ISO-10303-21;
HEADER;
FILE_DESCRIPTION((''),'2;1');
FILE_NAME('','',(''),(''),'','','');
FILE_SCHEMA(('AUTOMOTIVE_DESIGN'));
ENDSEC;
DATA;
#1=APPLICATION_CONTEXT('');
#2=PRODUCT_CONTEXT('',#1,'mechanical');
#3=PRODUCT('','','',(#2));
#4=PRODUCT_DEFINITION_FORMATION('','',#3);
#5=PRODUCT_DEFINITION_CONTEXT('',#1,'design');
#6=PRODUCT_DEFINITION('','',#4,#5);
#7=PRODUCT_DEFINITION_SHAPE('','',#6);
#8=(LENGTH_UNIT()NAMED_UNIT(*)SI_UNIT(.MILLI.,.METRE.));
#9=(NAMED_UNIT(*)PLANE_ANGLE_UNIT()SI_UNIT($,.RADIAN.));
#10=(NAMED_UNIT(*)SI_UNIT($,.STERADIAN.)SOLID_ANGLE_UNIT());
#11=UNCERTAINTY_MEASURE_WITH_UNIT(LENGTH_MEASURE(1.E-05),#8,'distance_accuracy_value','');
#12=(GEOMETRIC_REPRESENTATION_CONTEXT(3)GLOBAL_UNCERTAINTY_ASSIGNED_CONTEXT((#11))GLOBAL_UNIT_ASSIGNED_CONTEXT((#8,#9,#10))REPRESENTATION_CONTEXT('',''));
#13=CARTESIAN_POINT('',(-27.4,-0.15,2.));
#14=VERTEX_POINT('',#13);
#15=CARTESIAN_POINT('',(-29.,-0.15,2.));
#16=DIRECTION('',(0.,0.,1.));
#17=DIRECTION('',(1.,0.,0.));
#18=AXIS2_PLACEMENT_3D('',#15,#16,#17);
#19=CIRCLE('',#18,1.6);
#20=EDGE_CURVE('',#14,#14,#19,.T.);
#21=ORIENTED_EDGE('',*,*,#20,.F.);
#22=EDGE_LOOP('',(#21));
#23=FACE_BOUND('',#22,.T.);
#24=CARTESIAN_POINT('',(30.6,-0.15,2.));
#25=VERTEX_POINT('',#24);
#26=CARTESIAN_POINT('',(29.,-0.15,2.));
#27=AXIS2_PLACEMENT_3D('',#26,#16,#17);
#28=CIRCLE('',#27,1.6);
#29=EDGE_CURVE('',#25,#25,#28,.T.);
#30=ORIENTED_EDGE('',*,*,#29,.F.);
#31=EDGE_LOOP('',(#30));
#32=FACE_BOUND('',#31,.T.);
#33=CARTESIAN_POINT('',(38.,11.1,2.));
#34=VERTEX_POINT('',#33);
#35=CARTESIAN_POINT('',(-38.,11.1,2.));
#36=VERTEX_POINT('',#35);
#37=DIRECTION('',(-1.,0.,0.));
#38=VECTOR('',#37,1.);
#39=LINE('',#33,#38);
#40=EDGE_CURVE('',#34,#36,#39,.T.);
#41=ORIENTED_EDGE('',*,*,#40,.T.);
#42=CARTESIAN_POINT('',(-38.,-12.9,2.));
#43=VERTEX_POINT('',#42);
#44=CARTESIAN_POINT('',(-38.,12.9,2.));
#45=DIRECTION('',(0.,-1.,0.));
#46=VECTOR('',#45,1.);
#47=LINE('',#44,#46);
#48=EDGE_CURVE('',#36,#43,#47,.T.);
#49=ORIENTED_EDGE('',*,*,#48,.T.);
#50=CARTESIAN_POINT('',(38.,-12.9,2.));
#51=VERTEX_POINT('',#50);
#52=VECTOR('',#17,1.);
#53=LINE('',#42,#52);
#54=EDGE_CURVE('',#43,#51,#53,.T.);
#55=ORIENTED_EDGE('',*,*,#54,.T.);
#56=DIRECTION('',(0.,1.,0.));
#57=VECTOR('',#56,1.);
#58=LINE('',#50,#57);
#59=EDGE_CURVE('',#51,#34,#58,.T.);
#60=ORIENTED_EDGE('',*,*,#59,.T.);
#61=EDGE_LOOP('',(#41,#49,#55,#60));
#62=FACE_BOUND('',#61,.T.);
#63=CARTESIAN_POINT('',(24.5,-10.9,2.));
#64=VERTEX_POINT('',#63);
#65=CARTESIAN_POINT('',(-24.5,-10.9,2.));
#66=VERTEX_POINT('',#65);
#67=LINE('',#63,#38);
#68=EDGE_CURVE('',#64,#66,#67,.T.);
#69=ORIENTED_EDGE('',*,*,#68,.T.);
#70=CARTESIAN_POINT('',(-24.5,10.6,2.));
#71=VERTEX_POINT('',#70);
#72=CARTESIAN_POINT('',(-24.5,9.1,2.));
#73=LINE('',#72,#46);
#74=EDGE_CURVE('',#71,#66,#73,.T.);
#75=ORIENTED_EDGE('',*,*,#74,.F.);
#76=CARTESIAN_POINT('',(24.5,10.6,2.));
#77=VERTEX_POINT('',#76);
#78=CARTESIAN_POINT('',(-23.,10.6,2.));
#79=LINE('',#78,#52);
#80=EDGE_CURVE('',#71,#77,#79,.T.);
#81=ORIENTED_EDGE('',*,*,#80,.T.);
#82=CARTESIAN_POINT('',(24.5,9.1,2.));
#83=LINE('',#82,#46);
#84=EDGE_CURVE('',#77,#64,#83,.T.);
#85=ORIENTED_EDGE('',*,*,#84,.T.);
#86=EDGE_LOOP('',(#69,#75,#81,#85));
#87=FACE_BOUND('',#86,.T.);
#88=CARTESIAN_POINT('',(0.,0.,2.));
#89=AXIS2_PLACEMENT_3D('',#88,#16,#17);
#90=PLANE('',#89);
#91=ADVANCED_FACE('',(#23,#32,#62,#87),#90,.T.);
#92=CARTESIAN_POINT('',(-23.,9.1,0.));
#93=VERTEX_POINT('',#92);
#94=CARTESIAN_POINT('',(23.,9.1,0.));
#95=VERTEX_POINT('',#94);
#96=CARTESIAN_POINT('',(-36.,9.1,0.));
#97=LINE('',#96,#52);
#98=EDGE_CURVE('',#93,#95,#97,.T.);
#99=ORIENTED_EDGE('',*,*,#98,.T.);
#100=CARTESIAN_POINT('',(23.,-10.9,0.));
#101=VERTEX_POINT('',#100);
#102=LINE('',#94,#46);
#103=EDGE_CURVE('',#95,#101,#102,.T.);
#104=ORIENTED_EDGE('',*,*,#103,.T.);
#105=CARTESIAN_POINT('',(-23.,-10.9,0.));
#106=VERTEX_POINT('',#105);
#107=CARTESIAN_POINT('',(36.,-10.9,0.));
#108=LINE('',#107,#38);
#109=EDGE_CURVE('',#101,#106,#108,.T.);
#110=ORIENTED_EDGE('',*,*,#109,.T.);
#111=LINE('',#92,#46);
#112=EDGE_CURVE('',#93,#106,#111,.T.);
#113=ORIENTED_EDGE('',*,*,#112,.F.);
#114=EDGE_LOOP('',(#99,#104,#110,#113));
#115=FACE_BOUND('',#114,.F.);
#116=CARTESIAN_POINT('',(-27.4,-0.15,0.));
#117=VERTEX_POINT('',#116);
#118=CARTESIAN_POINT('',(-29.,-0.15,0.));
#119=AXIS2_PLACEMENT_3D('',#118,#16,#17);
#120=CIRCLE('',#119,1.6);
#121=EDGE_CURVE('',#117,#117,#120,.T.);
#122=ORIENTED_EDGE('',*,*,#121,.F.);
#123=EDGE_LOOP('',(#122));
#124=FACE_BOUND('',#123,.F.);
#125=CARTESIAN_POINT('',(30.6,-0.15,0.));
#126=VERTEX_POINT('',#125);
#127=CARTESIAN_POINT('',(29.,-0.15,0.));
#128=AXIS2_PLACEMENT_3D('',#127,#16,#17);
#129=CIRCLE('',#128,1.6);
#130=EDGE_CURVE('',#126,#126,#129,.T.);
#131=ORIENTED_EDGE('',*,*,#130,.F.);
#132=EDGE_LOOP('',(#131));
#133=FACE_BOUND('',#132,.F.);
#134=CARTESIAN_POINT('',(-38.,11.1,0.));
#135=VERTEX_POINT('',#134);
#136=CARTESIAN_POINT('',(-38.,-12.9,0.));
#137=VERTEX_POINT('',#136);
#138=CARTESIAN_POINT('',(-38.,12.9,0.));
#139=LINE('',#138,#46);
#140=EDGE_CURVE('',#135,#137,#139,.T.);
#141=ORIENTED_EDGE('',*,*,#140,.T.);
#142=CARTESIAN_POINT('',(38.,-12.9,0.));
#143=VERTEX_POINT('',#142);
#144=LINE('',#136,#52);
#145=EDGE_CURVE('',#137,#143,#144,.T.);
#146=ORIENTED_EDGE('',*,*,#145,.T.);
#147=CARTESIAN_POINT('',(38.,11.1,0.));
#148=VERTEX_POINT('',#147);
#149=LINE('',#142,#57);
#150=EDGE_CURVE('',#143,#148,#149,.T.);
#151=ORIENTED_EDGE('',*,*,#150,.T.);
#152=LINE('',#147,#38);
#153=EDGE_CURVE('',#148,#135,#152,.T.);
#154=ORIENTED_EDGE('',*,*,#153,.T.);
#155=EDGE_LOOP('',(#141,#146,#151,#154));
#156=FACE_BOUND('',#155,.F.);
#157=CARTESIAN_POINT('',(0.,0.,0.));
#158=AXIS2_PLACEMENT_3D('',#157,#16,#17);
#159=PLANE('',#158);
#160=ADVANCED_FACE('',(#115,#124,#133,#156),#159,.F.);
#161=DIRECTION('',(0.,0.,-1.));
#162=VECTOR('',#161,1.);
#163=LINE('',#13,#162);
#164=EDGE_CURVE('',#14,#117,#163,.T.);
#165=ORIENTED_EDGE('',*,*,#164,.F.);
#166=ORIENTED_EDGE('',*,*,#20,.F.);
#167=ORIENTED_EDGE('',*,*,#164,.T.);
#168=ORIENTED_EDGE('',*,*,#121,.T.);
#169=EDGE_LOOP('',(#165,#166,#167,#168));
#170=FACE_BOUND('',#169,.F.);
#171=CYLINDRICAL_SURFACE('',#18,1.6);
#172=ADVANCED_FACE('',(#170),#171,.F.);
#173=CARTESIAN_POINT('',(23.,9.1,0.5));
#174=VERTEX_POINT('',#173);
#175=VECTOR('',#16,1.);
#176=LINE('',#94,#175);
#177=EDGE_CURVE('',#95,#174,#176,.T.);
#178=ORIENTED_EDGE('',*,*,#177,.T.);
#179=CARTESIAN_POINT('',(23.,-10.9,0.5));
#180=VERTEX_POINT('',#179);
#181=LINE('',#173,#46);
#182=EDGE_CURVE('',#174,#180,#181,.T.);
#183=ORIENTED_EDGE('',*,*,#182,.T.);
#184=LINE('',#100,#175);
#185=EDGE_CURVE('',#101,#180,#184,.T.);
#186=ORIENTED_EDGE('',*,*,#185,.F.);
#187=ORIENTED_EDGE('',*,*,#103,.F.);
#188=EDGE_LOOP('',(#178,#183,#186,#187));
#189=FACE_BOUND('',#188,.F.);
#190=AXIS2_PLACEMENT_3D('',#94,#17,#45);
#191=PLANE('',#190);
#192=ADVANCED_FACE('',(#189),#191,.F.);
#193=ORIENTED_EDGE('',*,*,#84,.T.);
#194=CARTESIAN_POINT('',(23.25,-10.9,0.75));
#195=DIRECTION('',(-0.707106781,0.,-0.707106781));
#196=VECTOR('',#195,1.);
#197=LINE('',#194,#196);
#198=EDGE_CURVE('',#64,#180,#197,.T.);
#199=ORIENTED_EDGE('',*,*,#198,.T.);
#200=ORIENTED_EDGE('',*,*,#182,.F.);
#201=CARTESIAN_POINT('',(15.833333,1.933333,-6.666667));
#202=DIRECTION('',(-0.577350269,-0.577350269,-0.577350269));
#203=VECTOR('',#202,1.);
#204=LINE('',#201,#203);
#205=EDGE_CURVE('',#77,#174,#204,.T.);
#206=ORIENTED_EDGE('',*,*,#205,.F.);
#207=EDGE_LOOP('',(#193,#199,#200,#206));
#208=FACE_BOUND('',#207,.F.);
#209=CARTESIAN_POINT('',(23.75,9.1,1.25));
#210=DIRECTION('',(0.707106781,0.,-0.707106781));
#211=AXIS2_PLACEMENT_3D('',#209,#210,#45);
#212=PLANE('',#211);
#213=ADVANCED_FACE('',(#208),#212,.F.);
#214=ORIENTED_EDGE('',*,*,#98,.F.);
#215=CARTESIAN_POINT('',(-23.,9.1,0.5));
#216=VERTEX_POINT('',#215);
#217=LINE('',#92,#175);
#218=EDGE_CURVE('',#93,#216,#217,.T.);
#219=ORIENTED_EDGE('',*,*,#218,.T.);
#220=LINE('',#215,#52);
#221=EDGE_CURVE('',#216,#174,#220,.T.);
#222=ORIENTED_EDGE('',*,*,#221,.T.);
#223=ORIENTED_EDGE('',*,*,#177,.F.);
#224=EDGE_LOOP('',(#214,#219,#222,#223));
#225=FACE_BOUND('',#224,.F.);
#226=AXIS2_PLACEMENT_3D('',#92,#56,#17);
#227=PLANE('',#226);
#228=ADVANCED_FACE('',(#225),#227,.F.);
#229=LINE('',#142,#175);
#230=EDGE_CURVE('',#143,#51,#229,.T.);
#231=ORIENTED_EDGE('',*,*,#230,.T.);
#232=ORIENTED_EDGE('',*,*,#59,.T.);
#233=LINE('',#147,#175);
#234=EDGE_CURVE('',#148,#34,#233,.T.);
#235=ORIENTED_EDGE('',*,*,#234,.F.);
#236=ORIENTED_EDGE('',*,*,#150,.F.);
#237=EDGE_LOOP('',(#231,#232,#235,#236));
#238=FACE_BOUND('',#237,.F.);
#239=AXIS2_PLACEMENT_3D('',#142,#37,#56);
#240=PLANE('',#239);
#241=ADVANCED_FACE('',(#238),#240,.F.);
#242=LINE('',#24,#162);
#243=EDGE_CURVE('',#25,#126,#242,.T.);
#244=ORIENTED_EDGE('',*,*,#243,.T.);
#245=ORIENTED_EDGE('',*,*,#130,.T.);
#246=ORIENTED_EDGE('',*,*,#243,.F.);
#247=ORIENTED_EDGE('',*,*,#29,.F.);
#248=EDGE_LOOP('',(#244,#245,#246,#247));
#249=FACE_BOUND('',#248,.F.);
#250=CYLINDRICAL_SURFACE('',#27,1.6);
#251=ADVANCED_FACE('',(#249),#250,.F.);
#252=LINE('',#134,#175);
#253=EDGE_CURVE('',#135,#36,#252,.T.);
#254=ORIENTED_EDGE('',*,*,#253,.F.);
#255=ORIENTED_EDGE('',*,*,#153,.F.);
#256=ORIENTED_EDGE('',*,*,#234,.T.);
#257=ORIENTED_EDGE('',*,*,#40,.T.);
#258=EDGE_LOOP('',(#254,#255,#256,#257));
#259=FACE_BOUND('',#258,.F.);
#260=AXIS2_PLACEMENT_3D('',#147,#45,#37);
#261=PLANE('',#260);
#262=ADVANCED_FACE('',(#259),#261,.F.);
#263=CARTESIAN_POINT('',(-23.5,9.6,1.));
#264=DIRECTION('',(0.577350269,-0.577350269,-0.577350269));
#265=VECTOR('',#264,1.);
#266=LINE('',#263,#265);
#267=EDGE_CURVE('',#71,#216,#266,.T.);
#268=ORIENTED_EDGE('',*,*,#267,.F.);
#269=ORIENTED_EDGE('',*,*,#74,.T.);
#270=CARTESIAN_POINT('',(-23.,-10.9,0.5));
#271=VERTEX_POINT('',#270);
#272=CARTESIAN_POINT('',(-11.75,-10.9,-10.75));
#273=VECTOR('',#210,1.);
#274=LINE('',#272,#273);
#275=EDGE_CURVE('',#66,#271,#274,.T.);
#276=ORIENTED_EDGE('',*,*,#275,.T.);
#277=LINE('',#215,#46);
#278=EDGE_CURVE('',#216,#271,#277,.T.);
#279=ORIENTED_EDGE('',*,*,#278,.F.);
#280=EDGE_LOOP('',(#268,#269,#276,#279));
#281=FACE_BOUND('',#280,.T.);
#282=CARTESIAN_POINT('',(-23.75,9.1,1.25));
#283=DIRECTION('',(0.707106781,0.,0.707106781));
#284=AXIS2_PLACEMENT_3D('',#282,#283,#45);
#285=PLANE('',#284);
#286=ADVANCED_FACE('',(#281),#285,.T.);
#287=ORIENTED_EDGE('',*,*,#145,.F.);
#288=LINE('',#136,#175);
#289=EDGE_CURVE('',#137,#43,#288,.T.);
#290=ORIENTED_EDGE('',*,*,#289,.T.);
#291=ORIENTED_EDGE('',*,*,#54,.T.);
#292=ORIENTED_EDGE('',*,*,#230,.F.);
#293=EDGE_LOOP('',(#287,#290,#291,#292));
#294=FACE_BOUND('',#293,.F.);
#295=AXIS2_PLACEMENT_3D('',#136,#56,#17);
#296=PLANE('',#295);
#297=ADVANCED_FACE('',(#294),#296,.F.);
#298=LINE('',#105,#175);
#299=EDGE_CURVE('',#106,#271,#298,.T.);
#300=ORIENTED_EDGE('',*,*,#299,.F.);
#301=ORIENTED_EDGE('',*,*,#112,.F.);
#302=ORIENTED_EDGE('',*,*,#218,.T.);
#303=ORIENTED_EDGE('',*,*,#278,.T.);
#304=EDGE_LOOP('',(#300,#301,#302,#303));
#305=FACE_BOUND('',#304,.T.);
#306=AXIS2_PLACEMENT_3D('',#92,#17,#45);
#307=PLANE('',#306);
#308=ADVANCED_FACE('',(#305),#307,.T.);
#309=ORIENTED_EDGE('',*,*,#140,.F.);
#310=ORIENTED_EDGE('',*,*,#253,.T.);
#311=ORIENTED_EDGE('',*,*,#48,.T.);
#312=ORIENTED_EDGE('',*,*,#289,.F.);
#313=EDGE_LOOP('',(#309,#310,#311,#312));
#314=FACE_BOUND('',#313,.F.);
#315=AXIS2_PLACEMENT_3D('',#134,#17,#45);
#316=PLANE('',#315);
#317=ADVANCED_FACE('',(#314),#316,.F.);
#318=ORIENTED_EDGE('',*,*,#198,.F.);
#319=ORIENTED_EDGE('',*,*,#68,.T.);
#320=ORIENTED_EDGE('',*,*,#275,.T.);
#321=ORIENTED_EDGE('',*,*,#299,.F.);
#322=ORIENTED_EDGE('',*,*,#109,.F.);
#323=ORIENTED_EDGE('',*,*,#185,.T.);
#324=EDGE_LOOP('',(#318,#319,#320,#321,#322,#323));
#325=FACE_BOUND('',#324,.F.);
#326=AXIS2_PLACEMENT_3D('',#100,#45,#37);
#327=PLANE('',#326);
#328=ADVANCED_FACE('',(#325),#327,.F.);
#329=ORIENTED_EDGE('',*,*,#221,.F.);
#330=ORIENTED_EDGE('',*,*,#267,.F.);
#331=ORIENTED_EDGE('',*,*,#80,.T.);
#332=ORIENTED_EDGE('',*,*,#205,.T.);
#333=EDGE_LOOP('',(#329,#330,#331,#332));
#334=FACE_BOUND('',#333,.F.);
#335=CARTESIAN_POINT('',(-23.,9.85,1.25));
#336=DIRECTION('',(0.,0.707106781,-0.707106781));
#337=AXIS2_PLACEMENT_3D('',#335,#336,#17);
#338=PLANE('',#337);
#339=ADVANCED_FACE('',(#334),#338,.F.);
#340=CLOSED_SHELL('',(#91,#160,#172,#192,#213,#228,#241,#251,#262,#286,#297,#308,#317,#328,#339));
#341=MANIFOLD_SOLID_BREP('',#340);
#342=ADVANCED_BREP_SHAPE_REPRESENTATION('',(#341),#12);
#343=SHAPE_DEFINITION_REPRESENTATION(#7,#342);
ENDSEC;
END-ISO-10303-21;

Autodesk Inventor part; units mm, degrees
ref_plane "YZ Plane" through (0, 0, 0) normal (1, 0, 0) x (0, 1, 0)
ref_plane "XZ Plane" through (0, 0, 0) normal (0, 1, 0) x (-1, 0, 0)
ref_plane "XY Plane" through (0, 0, 0) normal (0, 0, 1) x (1, 0, 0)
ref_plane "Arbeitsebene1" through (0, 0, 0) normal (0, 0, 1) x (1, 0, 0)
sketch "Skizze1" plane through (0, 0, 0) normal (0, 0, 1) x (1, 0, 0)
  circle A0 centre (12, 2.9) radius 1.5 projected
  circle A1 centre (-12, 2.9) radius 1.5 projected
  line L0 (38, 12.9) -> (-38, 12.9) projected
  line L1 (38, -12.9) -> (38, 12.9) projected
  line L2 (-38, -12.9) -> (38, -12.9) projected
  line L3 (-38, 12.9) -> (-38, -12.9) projected
  line L4 (-38, -12.9) -> (38, -12.9)
  line L5 (38, -12.9) -> (38, 11.1)
  line L6 (38, 11.1) -> (-38, 11.1)
  line L7 (-38, 11.1) -> (-38, -12.9)
  line L8 (-36, 9.1) -> (36, 9.1)
  line L9 (36, 9.1) -> (36, -10.9)
  line L10 (36, -10.9) -> (-36, -10.9)
  line L11 (-36, -10.9) -> (-36, 9.1)
  line L12 (-36, 9.1) -> (-23, 9.1)
  line L13 (-23, 9.1) -> (-23, -10.9)
  line L14 (-23, -10.9) -> (-36, -10.9)
  line L15 (-36, -10.9) -> (-36, 9.1)
  line L16 (36, 9.1) -> (23, 9.1)
  line L17 (23, 9.1) -> (23, -10.9)
  line L18 (23, -10.9) -> (36, -10.9)
  line L19 (36, -10.9) -> (36, 9.1)
  point P0 (-23, 9.1)
  point P1 (23, 9.1)
  dimension "d6" = 24
  dimension "d7" = 2
  dimension "d8" = 13
  dimension "d9" = 13
extrude "Extrusion1" add sketch "Skizze1" along normal blind 2 contours L1 L2 L3 L6 | L8 L13 L10 L11 | L8 L9 L10 L17
chamfer "Fasen1" distance 1.5 angle 45 3 edges at (0, 9.1, 2) (23, -0.9, 2) (-23, -0.9, 2)
sketch "Skizze2" plane through (0, 0, 2) normal (0, 0, 1) x (1, 0, 0)
  line L0 (24.5, -10.9) -> (-24.5, -10.9) projected
  line L1 (-24.5, 10.6) -> (-24.5, -10.9) projected
  line L2 (24.5, 10.6) -> (-24.5, 10.6) projected
  line L3 (24.5, -10.9) -> (24.5, 10.6) projected
  line L4 (-38, 11.1) -> (-38, -12.9) projected
  line L5 (-38, -12.9) -> (38, -12.9) projected
  line L6 (38, -12.9) -> (38, 11.1) projected
  line L7 (38, 11.1) -> (-38, 11.1) projected
  circle A0 centre (-12, 2.9) radius 1.5 projected
  circle A1 centre (-29, -0.15) radius 1.6
  circle A2 centre (29, -0.15) radius 1.6
  point P0 (0, 0)
  dimension "d10" = 3.2
  dimension "d11" = 3.2
  dimension "d12" = 9
  dimension "d13" = 9
extrude "Extrusion2" cut sketch "Skizze2" against normal blind 10 contours A1 | A2
properties part number "00_coverglass_frame"
